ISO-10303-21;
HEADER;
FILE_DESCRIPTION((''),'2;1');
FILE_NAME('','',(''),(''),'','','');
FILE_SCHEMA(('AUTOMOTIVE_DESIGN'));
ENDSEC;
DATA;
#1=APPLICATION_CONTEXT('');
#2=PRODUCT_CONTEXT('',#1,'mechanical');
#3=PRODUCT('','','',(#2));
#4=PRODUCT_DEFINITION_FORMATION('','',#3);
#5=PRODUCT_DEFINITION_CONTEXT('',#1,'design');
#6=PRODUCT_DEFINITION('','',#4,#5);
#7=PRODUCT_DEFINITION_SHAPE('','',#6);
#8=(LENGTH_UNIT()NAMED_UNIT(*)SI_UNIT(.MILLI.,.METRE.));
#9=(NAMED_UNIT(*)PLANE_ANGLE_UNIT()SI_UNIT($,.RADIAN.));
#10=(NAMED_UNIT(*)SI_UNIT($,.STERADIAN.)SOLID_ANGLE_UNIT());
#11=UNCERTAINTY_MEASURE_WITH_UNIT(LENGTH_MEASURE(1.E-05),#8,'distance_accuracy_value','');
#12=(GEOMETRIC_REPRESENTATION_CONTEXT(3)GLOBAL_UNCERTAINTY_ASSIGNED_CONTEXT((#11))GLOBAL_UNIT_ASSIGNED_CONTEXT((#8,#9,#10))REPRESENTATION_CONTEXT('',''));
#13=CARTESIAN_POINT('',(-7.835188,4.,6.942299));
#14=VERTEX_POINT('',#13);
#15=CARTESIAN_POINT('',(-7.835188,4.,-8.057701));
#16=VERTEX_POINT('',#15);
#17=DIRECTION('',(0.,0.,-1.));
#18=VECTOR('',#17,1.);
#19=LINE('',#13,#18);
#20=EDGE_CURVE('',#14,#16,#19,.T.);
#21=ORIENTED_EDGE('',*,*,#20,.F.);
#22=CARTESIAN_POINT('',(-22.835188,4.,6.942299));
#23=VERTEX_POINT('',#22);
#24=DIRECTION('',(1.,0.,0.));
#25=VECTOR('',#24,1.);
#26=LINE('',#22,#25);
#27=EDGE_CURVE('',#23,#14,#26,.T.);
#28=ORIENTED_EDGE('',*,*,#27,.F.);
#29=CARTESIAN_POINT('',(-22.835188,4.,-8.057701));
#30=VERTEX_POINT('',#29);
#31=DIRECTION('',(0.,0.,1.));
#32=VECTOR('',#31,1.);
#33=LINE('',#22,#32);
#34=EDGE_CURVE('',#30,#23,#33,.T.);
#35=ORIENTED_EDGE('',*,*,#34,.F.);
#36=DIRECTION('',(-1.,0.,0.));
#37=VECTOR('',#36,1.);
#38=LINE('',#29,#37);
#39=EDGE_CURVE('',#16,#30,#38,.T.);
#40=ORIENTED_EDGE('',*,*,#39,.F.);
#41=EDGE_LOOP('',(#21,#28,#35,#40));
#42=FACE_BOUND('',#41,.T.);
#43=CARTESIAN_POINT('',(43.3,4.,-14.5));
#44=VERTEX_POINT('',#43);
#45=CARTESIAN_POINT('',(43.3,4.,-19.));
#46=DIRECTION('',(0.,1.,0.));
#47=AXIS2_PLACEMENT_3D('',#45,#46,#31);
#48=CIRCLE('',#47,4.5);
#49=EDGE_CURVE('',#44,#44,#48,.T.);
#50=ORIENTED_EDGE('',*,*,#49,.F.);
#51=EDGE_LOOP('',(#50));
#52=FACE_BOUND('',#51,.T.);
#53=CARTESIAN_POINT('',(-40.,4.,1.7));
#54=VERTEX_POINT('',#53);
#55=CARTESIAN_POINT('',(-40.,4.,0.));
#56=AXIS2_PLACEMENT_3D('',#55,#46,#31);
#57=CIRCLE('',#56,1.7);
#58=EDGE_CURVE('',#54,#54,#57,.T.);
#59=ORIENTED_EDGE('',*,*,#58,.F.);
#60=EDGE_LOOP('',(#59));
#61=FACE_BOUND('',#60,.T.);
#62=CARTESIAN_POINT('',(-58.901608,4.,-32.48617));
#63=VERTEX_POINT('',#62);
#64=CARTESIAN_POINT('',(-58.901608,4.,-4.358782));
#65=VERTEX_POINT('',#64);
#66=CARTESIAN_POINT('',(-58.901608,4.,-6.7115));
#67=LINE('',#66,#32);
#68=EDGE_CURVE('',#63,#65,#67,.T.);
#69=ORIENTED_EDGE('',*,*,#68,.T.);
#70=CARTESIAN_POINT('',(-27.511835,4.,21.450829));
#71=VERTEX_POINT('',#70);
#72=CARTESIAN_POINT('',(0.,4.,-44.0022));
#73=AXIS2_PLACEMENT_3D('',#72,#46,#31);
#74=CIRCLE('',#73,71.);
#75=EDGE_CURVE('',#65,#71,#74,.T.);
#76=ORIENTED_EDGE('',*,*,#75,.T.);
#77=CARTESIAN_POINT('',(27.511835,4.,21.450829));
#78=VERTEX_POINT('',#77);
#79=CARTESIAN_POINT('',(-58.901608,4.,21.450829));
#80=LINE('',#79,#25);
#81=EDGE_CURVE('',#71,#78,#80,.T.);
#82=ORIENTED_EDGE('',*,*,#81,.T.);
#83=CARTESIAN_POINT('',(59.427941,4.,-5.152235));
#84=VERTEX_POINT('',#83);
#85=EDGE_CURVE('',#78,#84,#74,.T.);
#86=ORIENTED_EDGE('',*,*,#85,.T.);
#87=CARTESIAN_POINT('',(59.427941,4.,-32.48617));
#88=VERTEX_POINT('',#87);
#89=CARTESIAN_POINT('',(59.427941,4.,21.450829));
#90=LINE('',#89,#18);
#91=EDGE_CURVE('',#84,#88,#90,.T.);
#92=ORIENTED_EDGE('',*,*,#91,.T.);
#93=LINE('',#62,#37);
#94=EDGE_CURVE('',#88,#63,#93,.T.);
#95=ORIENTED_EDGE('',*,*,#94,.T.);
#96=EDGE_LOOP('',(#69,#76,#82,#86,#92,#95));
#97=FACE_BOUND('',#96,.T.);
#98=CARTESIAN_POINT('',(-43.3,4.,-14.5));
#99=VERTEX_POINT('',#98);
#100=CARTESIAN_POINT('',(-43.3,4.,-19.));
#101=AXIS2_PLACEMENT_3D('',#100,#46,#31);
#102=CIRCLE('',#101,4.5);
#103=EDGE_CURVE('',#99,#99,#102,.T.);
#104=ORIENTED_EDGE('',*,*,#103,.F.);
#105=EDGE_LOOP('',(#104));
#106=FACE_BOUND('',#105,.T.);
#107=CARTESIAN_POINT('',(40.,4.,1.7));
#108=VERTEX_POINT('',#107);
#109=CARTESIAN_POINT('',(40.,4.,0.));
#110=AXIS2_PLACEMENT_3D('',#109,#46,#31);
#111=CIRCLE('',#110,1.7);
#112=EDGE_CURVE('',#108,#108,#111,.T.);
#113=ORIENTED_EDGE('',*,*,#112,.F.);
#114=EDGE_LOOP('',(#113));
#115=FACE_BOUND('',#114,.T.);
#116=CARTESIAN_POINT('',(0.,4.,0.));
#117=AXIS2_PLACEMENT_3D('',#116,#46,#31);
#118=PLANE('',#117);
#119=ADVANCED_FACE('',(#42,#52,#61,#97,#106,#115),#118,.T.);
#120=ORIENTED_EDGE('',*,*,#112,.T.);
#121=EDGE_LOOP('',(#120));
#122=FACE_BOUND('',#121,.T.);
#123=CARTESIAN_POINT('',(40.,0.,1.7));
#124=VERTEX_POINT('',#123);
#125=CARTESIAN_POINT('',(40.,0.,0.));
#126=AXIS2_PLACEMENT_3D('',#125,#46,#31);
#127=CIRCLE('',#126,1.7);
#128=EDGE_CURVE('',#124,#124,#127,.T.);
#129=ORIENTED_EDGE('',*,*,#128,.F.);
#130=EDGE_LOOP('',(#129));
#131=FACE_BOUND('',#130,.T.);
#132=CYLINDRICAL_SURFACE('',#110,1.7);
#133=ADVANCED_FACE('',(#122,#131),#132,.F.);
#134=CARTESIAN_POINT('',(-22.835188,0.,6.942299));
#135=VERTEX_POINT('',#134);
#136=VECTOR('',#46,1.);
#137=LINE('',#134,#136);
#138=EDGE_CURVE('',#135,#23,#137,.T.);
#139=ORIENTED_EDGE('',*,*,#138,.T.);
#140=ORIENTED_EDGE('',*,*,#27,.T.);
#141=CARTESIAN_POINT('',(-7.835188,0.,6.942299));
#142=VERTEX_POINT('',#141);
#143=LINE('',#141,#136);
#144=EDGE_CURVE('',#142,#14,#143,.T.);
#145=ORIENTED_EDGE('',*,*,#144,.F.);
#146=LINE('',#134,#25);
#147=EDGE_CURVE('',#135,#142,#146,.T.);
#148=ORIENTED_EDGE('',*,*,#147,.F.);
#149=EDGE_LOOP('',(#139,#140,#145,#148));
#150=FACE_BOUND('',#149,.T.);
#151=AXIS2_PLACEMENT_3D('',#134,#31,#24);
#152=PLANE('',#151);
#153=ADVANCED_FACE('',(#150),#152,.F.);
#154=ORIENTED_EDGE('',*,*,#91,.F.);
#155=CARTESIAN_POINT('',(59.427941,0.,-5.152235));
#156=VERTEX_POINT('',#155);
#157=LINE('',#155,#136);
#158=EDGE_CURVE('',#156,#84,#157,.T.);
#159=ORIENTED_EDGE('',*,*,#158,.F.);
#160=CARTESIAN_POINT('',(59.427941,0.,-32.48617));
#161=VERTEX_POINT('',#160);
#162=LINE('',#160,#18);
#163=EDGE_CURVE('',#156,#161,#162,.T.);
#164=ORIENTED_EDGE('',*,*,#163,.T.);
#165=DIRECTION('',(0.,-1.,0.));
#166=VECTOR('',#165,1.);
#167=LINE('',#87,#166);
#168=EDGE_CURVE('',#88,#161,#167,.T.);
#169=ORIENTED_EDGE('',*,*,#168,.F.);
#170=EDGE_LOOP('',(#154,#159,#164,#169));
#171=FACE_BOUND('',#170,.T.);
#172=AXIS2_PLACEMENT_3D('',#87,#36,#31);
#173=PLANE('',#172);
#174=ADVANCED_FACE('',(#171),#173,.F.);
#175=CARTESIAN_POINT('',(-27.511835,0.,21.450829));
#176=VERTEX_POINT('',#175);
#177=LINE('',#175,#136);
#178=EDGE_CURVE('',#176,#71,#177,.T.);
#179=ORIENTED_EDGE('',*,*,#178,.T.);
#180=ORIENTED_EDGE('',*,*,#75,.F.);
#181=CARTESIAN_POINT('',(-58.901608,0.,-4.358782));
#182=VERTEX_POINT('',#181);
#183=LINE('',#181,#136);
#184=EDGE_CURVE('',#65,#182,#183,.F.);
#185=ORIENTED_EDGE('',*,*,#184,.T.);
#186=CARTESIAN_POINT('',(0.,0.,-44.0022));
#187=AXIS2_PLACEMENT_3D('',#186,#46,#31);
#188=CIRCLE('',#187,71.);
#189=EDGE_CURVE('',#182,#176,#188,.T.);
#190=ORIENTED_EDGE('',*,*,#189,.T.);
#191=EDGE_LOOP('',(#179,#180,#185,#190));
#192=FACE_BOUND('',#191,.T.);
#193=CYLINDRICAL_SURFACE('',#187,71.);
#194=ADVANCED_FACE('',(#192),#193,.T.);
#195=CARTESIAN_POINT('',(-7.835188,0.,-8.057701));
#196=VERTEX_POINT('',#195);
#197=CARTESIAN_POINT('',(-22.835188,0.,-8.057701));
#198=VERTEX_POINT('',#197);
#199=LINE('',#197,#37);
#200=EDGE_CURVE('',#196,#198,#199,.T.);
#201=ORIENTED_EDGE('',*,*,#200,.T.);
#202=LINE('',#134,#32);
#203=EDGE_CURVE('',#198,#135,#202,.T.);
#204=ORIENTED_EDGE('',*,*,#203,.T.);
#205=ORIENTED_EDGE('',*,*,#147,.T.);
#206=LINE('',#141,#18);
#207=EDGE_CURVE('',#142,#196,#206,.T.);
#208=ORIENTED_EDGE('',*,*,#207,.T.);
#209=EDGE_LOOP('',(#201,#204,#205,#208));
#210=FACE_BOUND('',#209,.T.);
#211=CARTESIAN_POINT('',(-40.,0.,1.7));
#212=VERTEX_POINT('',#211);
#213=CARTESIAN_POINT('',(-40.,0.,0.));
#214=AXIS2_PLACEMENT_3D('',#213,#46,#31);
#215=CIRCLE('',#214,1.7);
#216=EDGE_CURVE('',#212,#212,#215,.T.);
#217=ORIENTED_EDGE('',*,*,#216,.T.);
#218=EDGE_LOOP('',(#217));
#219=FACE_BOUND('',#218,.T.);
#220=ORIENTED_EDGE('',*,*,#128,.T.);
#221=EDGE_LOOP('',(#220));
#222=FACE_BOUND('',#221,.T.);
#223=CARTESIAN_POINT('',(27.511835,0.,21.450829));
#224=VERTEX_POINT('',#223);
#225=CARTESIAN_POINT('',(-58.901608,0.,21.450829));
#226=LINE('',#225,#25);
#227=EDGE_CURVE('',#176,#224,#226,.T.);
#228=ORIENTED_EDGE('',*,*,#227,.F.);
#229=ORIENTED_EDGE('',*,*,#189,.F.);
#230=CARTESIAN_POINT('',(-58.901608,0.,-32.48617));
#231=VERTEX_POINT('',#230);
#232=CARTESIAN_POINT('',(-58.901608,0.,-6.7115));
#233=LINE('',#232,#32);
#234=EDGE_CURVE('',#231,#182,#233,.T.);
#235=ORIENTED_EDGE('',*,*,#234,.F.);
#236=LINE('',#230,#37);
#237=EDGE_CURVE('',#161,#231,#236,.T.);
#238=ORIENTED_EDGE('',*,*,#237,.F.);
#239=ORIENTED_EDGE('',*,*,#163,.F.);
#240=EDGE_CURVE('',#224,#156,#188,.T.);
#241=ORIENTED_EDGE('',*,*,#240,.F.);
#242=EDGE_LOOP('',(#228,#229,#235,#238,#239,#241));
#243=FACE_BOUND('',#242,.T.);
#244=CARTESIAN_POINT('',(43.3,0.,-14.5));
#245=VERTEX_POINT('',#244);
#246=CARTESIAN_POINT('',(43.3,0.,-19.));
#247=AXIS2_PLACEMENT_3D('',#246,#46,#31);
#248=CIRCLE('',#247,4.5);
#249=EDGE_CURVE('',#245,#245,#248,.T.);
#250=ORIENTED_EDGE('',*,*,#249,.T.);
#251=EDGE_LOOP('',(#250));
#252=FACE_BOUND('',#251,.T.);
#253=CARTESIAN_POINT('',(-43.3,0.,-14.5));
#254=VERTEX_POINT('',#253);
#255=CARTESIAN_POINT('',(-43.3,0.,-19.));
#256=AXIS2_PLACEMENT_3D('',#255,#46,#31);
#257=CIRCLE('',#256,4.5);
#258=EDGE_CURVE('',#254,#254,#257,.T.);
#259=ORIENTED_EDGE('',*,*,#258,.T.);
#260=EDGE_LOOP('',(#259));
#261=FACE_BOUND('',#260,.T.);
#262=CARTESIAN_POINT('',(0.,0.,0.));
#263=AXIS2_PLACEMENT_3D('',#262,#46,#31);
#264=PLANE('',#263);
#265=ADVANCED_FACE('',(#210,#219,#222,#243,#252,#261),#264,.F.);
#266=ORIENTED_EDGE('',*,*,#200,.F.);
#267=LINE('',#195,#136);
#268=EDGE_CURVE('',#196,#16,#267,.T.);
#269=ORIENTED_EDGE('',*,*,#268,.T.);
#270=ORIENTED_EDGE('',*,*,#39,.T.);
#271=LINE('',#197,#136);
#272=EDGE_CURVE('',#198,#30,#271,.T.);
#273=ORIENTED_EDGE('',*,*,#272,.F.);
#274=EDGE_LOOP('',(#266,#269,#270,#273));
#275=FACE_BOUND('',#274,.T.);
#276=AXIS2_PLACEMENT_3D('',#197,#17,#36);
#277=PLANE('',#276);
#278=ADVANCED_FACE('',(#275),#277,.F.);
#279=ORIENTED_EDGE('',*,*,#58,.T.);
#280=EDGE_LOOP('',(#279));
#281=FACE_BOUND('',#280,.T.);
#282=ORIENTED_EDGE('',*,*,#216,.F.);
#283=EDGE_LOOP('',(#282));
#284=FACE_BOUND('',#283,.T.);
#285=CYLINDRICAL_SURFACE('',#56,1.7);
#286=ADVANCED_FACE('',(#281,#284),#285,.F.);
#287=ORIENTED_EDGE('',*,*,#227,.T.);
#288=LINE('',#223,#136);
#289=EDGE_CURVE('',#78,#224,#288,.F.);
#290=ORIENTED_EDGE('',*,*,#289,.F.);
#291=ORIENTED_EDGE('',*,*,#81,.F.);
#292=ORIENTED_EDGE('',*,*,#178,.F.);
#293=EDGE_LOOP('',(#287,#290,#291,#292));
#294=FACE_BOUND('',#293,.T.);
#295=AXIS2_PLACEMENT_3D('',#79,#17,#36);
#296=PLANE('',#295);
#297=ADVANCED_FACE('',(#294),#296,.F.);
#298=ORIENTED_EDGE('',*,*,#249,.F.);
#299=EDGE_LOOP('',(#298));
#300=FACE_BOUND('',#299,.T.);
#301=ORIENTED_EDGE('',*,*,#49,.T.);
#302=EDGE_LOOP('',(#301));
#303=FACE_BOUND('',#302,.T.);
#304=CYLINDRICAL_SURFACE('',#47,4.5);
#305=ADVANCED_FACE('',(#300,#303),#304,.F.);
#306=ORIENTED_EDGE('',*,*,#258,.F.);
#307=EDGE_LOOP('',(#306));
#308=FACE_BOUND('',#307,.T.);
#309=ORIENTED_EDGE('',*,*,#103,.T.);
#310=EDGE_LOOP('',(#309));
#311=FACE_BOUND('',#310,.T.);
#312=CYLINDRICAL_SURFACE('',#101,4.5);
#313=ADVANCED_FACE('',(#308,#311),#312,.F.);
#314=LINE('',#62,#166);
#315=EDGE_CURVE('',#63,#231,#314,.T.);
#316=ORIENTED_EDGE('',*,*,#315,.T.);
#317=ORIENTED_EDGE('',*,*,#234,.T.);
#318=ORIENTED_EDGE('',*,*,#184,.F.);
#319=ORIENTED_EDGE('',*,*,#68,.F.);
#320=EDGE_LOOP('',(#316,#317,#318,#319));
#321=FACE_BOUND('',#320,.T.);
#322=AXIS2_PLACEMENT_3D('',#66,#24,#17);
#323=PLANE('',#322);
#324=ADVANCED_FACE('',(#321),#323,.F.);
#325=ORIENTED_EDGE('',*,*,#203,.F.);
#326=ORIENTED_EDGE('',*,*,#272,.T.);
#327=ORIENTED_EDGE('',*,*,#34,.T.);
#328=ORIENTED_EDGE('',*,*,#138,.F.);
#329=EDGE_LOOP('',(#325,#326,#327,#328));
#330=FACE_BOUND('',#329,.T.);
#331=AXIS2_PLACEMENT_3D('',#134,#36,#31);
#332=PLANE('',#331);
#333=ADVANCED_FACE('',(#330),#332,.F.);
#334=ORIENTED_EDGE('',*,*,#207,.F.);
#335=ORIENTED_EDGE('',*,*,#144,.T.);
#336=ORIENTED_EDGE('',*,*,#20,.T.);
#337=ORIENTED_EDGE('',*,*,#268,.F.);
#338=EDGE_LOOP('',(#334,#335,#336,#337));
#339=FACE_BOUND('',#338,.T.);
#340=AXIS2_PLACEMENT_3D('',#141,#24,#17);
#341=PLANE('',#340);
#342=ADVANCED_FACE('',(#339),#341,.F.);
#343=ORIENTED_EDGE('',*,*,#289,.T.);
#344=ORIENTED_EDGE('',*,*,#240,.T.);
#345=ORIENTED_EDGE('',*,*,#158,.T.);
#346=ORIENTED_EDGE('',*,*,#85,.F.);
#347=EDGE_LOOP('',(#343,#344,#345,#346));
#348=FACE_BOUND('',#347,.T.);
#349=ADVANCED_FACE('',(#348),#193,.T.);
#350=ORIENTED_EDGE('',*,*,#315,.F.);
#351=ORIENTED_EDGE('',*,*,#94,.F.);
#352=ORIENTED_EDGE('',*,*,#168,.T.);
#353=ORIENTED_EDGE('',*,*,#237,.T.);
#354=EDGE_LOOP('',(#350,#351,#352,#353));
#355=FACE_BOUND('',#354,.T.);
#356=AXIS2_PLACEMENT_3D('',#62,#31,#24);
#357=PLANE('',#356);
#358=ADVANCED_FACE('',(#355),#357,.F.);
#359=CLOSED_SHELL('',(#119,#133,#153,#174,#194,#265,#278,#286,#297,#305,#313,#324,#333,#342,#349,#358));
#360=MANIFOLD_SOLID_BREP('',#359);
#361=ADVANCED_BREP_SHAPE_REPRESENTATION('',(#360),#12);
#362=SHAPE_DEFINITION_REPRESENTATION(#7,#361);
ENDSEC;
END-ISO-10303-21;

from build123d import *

# Parameters (mm, degrees)
ESQUISSE1_W             = 63
ESQUISSE1_H             = 25
BOSS_EXTRU_1_DEPTH      = 4
D_GAGEMENT_M81_D        = 9
ESQUISSE5_R             = 96
ESQUISSE5_R_2           = 71
ENL_V_MAT_EXTRU_1_DEPTH = 68.845644546
ESQUISSE6_W             = 63
ESQUISSE6_H             = 25
BOSS_EXTRU_2_DEPTH      = 4
ESQUISSE7_W             = 15
ESQUISSE7_H             = 15
ENL_V_MAT_EXTRU_2_DEPTH = 68.845644546
D_GAGEMENT_M31_D        = 3.4


with BuildPart() as part:
    # Esquisse1 → Boss.-Extru.1 (new body)
    with BuildSketch(Plane(origin=(0, 0, 0), x_dir=(1, 0, 0), z_dir=(0, 1, 0))):
        Polygon((-58.901607841, 6.711500167), (-58.901607841, 32.486170288), (59.427941441, 32.486170288), (59.427941441, 7.487213227), (59.427941441, -21.450828615), (-58.901607841, -21.450828615), align=None)
        Rectangle(ESQUISSE1_W, ESQUISSE1_H, mode=Mode.SUBTRACT)
    extrude(amount=BOSS_EXTRU_1_DEPTH)

    # Dégagement M81 (through all)
    with Locations(Plane(origin=(0, 4, 0), x_dir=(1, 0, 0), z_dir=(0, 1, 0))):
        with Locations((-43.3, 19), (43.3, 19)):
            Hole(D_GAGEMENT_M81_D / 2)

    # Esquisse5 → Enlèv. mat.-Extru.1 (cut, through all)
    with BuildSketch(Plane(origin=(0, 4, 0), x_dir=(1, 0, 0), z_dir=(0, 1, 0))):
        with Locations((0, 44.002199903)):
            Circle(ESQUISSE5_R)
        with Locations((0, 44.002199903)):
            Circle(ESQUISSE5_R_2, mode=Mode.SUBTRACT)
    extrude(amount=-ENL_V_MAT_EXTRU_1_DEPTH, mode=Mode.SUBTRACT)

    # Esquisse6 → Boss.-Extru.2 (add)
    with BuildSketch(Plane(origin=(0, 4, 0), x_dir=(1, 0, 0), z_dir=(0, 1, 0))):
        Rectangle(ESQUISSE6_W, ESQUISSE6_H)
    extrude(amount=-BOSS_EXTRU_2_DEPTH)

    # Esquisse7 → Enlèv. mat.-Extru.2 (cut, through all)
    with BuildSketch(Plane(origin=(0, 4, 0), x_dir=(1, 0, 0), z_dir=(0, 1, 0))):
        with Locations((-15.335187954, 0.557700645)):
            Rectangle(ESQUISSE7_W, ESQUISSE7_H)
    extrude(amount=-ENL_V_MAT_EXTRU_2_DEPTH, mode=Mode.SUBTRACT)

    # Dégagement M31 (through all)
    with Locations(Plane(origin=(0, 4, 0), x_dir=(1, 0, 0), z_dir=(0, 1, 0))):
        with Locations((-40, 0), (40, 0)):
            Hole(D_GAGEMENT_M31_D / 2)


solid = part.part
